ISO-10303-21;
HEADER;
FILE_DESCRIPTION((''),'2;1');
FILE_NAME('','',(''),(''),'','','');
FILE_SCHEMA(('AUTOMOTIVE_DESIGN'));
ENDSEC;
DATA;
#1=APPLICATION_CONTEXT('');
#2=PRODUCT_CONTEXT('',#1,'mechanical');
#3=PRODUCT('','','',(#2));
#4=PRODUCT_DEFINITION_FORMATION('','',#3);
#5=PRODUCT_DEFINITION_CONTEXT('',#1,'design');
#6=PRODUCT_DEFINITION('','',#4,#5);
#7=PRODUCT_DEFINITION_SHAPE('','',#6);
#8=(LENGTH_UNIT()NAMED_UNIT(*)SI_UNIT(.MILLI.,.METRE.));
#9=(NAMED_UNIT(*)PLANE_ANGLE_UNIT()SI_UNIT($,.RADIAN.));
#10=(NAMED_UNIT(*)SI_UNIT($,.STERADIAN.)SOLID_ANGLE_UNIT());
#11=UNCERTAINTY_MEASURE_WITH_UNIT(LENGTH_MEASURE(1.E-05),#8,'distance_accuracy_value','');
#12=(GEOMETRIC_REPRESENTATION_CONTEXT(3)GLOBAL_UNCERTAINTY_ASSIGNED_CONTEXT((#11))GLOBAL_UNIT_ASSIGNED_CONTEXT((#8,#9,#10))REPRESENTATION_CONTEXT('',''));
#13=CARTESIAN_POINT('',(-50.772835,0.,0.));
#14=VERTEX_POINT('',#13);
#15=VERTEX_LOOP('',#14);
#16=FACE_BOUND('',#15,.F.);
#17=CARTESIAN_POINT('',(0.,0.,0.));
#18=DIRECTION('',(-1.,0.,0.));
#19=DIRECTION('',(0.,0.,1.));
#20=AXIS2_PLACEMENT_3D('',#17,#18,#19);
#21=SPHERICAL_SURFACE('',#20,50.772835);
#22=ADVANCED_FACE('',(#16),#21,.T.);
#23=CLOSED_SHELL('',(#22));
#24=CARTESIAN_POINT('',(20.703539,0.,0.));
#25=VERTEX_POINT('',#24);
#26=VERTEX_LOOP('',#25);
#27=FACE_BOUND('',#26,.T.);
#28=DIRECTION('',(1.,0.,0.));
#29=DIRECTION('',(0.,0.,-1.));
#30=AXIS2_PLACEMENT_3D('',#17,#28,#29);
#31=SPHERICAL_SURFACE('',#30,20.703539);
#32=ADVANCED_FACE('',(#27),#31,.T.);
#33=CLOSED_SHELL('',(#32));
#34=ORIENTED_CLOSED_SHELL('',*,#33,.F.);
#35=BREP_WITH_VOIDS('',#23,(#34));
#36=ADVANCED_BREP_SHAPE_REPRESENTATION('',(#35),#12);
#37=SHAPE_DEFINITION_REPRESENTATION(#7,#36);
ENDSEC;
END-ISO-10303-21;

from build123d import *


with BuildPart() as f1:
    # F0 (on Front) → F1 (revolve)
    with BuildSketch(Plane.XZ):
        with BuildLine():
            ThreePointArc((50.7728345692, 0), (0, 50.7728345692), (-50.7728345692, 0))
            Line((-50.7728345692, 0), (-20.7035394, 0))
            ThreePointArc((-20.7035394, 0), (0, 20.7035394), (20.7035394, 0))
            Line((20.7035394, 0), (50.7728345692, 0))
        make_face()
        with BuildLine():
            ThreePointArc((20.7035394, 0), (0, 20.7035394), (-20.7035394, 0))
            Line((-20.7035394, 0), (20.7035394, 0))
        make_face()
        with BuildLine():
            Line((20.7035394, 0), (-20.7035394, 0))
            ThreePointArc((-20.7035394, 0), (0, -20.7035394), (20.7035394, 0))
        make_face()
    revolve(axis=Axis((0, 0, 0), (1, 0, 0)))


solid = f1.part
